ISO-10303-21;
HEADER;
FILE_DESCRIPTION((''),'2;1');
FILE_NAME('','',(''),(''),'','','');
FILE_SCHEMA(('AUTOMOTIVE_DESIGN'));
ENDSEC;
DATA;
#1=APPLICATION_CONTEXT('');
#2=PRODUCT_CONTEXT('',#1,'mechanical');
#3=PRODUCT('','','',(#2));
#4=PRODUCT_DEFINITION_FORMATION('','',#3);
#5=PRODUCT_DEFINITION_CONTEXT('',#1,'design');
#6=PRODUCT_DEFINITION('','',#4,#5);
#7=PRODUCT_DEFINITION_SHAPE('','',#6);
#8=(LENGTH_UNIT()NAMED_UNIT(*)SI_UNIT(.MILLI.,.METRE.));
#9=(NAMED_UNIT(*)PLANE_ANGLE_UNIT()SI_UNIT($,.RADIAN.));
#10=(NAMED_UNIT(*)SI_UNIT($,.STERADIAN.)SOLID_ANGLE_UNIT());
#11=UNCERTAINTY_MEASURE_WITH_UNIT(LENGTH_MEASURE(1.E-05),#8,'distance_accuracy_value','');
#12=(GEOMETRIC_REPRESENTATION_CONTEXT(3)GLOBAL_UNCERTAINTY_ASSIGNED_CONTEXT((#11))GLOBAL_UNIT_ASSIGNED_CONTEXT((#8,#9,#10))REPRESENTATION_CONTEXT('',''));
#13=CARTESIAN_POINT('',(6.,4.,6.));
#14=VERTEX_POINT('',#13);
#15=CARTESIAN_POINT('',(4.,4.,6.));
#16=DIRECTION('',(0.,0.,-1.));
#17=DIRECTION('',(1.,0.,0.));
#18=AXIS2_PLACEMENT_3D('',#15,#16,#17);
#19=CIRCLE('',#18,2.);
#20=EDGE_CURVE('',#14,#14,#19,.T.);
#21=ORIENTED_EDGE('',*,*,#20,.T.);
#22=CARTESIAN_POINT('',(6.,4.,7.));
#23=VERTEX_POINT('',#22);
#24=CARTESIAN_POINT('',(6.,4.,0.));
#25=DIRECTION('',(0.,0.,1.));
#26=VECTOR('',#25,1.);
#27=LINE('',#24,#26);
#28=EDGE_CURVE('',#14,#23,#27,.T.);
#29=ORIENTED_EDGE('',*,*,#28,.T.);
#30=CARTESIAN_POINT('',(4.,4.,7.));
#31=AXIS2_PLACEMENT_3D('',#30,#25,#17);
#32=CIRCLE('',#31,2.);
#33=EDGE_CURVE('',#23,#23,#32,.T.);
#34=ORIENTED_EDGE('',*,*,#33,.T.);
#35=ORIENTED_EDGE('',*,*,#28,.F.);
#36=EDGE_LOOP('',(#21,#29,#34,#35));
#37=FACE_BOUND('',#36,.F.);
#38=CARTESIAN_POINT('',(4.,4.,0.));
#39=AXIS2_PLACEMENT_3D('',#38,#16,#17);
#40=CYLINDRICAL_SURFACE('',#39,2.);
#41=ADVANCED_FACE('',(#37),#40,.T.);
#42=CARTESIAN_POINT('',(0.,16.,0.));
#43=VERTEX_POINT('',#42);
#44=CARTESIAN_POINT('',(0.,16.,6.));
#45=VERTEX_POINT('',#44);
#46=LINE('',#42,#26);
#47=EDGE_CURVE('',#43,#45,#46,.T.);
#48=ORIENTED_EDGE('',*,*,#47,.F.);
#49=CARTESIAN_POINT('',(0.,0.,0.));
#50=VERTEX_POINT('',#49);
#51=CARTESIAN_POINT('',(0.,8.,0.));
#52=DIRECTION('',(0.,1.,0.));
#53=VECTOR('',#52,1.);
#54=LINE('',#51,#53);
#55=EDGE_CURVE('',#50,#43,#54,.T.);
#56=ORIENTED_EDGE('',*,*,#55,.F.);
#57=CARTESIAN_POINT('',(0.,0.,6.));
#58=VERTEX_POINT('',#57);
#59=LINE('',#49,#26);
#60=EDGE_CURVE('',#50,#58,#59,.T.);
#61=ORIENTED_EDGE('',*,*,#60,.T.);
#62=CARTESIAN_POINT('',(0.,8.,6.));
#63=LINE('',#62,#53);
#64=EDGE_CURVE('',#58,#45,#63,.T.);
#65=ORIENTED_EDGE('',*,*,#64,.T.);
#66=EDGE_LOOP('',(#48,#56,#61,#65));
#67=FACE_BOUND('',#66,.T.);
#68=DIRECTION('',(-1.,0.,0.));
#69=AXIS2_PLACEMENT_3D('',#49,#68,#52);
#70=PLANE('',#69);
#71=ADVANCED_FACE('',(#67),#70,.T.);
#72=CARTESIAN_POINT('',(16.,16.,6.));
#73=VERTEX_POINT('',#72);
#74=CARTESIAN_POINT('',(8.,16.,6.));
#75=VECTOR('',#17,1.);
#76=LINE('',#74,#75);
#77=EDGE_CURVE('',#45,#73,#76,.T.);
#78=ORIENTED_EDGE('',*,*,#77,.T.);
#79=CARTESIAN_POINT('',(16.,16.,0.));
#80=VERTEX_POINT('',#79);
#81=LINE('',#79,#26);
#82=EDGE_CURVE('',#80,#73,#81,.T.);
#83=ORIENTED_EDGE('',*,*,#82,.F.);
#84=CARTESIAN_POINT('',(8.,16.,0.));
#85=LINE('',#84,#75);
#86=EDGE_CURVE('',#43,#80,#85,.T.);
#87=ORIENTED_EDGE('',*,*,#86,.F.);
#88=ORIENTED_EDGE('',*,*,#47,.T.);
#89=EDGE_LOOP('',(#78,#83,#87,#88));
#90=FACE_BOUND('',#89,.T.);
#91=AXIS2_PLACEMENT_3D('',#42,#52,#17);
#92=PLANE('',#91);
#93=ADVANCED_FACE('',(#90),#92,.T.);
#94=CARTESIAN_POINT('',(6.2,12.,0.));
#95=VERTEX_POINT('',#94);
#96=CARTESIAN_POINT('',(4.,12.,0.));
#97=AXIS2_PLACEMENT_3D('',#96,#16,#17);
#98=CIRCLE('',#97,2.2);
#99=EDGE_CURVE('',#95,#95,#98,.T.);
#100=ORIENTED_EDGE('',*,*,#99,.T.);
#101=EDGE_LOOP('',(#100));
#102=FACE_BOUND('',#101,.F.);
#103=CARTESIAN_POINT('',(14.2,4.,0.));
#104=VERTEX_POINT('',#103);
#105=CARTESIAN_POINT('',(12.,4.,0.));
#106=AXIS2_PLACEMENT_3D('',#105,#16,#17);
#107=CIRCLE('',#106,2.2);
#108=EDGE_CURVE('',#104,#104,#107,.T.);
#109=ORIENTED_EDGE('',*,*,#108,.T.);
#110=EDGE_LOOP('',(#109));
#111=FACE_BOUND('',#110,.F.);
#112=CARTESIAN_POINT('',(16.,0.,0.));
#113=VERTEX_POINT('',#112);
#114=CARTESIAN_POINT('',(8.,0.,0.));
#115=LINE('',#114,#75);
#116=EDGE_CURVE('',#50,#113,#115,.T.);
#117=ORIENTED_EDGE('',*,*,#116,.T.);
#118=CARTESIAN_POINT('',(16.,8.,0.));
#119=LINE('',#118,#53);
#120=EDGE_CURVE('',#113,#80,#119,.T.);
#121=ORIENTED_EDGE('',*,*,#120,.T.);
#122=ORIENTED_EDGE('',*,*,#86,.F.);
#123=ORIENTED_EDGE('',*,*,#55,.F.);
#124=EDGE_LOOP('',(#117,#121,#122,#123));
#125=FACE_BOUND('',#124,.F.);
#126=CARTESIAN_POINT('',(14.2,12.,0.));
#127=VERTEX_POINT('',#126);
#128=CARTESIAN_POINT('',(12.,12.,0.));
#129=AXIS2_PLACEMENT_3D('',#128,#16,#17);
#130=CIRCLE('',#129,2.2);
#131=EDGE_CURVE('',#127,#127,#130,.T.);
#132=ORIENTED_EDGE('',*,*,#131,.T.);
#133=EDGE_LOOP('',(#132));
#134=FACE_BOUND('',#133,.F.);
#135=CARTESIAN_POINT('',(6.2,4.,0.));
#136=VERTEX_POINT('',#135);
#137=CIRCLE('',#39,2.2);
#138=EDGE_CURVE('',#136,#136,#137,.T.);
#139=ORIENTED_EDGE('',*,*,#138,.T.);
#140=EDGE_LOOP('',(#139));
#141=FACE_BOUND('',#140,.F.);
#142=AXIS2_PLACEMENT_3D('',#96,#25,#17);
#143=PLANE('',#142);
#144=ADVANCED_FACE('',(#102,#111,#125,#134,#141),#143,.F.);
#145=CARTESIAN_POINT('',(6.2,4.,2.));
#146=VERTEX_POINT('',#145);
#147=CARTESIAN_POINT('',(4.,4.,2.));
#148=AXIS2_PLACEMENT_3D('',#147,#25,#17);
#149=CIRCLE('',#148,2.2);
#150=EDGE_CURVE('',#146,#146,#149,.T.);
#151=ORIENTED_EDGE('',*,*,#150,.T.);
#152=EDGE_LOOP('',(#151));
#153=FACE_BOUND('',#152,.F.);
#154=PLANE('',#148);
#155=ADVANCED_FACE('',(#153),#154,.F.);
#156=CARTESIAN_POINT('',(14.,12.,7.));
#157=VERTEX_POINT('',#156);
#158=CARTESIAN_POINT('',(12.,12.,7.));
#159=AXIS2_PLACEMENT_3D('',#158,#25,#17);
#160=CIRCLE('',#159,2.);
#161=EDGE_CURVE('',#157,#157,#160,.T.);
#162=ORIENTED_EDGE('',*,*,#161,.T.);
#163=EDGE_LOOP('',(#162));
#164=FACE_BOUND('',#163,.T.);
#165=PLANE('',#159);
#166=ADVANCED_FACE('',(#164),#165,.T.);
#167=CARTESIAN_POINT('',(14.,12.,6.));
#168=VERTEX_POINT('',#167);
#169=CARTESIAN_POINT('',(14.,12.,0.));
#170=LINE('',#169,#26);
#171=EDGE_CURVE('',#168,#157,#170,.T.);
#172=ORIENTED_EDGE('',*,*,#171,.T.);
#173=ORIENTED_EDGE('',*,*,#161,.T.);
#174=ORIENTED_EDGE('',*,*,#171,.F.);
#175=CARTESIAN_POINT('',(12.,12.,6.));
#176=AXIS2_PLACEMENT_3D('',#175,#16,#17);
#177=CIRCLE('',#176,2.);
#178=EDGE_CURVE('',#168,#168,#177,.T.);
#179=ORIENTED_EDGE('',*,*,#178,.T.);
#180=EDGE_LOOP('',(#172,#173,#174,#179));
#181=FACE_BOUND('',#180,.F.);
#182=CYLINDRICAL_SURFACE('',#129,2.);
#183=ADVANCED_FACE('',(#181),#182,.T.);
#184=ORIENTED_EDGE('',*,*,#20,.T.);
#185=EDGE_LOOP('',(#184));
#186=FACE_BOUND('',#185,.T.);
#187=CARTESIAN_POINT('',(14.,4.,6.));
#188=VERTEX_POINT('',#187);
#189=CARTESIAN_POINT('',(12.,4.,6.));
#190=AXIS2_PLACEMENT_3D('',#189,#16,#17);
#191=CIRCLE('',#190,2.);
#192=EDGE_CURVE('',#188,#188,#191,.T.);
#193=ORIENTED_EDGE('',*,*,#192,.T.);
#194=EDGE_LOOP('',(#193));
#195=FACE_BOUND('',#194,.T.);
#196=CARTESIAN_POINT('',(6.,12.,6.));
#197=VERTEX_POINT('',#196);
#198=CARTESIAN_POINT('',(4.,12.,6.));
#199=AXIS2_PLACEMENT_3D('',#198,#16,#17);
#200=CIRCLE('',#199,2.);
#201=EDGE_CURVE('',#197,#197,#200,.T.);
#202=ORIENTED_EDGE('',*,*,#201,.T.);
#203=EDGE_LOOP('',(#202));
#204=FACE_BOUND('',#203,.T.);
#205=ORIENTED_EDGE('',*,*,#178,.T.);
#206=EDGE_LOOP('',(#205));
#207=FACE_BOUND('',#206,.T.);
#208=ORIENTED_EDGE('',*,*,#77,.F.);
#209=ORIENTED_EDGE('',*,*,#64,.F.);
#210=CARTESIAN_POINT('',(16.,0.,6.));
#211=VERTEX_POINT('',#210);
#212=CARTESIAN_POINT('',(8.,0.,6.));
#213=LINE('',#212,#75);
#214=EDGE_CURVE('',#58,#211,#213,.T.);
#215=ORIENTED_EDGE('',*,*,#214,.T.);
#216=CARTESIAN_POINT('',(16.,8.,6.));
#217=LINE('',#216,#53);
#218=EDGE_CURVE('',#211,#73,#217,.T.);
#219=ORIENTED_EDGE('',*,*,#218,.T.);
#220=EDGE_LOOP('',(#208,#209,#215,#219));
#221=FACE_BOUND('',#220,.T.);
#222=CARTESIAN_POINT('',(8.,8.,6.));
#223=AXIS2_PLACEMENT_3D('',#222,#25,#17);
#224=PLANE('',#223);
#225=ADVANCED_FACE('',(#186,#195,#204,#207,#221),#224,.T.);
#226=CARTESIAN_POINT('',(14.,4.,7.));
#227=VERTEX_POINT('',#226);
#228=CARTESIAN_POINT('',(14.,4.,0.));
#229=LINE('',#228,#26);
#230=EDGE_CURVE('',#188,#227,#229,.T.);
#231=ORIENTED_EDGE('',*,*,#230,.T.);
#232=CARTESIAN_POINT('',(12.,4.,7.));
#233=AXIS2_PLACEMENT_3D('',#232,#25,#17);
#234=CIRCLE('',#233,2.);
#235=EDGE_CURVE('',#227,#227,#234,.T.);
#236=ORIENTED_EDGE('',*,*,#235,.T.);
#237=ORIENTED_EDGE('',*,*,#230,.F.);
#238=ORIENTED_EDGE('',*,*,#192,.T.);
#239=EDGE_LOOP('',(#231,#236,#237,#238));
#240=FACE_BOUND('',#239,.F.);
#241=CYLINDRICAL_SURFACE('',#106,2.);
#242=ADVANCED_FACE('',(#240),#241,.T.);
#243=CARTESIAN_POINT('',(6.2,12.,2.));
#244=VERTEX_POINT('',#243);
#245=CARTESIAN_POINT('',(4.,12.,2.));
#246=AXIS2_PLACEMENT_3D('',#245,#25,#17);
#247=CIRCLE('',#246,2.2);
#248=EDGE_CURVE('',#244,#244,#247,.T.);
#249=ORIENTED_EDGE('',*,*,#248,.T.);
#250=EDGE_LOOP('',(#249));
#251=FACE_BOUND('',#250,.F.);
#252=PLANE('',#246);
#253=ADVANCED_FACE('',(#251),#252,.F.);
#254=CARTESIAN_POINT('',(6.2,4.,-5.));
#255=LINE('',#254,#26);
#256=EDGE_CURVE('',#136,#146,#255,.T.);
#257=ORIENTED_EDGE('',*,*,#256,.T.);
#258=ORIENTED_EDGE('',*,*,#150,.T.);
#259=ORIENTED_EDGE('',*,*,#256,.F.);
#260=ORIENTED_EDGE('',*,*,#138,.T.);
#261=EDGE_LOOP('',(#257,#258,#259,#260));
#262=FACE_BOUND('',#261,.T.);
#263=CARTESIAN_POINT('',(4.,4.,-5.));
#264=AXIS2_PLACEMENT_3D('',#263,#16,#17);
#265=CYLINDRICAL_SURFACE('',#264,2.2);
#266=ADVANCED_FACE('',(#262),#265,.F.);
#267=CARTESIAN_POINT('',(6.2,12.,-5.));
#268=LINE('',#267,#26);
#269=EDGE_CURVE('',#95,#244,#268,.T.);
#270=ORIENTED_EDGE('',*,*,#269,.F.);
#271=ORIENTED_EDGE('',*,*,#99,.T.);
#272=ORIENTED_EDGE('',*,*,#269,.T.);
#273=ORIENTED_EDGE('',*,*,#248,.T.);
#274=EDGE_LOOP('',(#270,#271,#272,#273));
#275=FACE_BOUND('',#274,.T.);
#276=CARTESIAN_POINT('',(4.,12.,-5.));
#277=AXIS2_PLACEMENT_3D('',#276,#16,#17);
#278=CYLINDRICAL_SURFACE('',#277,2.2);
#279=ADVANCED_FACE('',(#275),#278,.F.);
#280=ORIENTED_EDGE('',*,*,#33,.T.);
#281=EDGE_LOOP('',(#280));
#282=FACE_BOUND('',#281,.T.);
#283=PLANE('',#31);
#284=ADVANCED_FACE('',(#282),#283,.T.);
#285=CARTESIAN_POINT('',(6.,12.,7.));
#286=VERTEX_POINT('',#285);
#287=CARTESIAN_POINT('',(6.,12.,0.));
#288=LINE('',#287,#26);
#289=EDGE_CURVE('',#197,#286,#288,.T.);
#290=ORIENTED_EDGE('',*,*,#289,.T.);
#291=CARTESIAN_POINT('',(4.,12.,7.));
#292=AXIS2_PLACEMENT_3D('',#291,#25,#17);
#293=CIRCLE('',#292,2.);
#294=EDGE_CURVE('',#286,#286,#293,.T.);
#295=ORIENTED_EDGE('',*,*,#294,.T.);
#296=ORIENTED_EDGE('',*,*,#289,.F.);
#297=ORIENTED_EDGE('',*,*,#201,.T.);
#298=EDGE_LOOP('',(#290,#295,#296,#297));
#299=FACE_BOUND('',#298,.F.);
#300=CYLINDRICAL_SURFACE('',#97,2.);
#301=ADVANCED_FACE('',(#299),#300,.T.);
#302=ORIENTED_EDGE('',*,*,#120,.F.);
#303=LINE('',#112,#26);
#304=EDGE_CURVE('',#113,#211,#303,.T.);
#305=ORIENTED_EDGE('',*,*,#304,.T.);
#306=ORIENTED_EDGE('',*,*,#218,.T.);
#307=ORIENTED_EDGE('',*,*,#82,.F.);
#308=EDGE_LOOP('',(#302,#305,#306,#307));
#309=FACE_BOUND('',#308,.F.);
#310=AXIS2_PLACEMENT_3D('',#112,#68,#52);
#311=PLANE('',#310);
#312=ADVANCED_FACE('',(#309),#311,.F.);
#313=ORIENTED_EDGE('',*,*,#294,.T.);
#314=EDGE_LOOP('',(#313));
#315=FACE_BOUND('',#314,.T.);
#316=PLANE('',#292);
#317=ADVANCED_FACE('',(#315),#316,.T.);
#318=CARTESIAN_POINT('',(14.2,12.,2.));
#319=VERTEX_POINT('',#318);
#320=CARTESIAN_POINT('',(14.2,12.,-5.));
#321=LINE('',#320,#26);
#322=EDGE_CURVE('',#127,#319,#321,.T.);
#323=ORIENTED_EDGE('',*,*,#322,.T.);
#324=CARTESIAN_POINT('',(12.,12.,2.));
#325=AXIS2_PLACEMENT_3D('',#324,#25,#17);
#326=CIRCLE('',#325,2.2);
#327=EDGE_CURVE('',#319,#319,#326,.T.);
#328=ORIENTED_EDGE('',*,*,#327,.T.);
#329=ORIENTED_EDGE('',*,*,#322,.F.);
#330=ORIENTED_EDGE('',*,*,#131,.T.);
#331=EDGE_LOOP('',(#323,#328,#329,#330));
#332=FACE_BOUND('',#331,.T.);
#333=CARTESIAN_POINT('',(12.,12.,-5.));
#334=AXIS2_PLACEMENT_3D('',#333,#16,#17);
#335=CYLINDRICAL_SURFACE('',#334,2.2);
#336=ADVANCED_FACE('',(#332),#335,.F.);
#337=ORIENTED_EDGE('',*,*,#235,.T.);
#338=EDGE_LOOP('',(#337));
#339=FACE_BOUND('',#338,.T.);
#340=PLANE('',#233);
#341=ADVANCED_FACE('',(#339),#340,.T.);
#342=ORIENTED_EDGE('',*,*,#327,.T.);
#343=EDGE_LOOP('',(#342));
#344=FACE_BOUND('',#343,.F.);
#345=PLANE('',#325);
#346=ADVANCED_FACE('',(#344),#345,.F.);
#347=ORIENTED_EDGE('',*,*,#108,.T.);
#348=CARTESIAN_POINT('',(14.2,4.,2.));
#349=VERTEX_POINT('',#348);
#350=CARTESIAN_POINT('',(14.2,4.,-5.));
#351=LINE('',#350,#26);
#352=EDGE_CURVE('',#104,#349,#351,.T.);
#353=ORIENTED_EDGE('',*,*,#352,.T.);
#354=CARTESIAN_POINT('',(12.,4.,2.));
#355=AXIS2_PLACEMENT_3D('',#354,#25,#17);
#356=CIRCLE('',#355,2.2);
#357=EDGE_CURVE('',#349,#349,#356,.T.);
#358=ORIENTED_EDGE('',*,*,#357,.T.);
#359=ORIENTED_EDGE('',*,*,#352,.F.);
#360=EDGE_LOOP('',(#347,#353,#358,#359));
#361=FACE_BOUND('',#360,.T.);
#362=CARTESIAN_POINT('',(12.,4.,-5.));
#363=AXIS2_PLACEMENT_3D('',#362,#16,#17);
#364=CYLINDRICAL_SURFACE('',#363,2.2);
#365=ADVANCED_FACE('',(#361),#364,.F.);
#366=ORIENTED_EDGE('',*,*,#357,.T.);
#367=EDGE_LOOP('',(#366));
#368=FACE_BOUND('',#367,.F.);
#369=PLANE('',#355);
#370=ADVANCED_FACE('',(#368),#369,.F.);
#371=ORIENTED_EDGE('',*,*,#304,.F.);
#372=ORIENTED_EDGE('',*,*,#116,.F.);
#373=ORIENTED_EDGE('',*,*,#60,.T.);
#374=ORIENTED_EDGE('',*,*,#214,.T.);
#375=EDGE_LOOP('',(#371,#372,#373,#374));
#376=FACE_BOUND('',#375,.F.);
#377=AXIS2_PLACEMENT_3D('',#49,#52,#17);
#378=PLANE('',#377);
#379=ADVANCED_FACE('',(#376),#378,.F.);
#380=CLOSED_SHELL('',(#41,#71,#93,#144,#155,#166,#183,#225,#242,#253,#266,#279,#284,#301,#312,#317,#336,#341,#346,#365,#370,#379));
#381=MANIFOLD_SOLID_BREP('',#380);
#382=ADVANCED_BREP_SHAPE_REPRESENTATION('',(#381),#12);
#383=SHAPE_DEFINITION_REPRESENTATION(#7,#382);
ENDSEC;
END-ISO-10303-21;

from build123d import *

# Parameters (mm, degrees)
CYLINDER007_R     = 2.2
CYLINDER007_DEPTH = 7
CYLINDER005_R     = 2.2
CYLINDER005_DEPTH = 7
CYLINDER006_R     = 2.2
CYLINDER006_DEPTH = 7
CYLINDER004_R     = 2.2
CYLINDER004_DEPTH = 7
CYLINDER_R        = 2
CYLINDER_DEPTH    = 7
CYLINDER001_R     = 2
CYLINDER001_DEPTH = 7
CYLINDER002_R     = 2
CYLINDER002_DEPTH = 7
CYLINDER003_R     = 2
CYLINDER003_DEPTH = 7
BOX_W             = 16
BOX_H             = 16
BOX_DEPTH         = 6


with BuildPart() as cylinder007:
    # Cylinder007 → Cylinder007 (new body)
    with BuildSketch(Plane(origin=(12, 12, -5), x_dir=(1, 0, 0), z_dir=(0, 0, 1))):
        Circle(CYLINDER007_R)
    extrude(amount=CYLINDER007_DEPTH)


with BuildPart() as cylinder005:
    # Cylinder005 → Cylinder005 (new body)
    with BuildSketch(Plane(origin=(4, 12, -5), x_dir=(1, 0, 0), z_dir=(0, 0, 1))):
        Circle(CYLINDER005_R)
    extrude(amount=CYLINDER005_DEPTH)


with BuildPart() as cylinder006:
    # Cylinder006 → Cylinder006 (new body)
    with BuildSketch(Plane(origin=(12, 4, -5), x_dir=(1, 0, 0), z_dir=(0, 0, 1))):
        Circle(CYLINDER006_R)
    extrude(amount=CYLINDER006_DEPTH)


with BuildPart() as fusion001:
    # Cylinder004 → Cylinder004 (new body)
    with BuildSketch(Plane(origin=(4, 4, -5), x_dir=(1, 0, 0), z_dir=(0, 0, 1))):
        Circle(CYLINDER004_R)
    extrude(amount=CYLINDER004_DEPTH)

    # Fusion001: union Cylinder007, Cylinder005, Cylinder006
    add(cylinder007.part)
    add(cylinder005.part)
    add(cylinder006.part)


with BuildPart() as cylinder:
    # Cylinder → Cylinder (new body)
    with BuildSketch(Plane(origin=(4, 4, 0), x_dir=(1, 0, 0), z_dir=(0, 0, 1))):
        Circle(CYLINDER_R)
    extrude(amount=CYLINDER_DEPTH)


with BuildPart() as cylinder001:
    # Cylinder001 → Cylinder001 (new body)
    with BuildSketch(Plane(origin=(12, 4, 0), x_dir=(1, 0, 0), z_dir=(0, 0, 1))):
        Circle(CYLINDER001_R)
    extrude(amount=CYLINDER001_DEPTH)


with BuildPart() as cylinder002:
    # Cylinder002 → Cylinder002 (new body)
    with BuildSketch(Plane(origin=(12, 12, 0), x_dir=(1, 0, 0), z_dir=(0, 0, 1))):
        Circle(CYLINDER002_R)
    extrude(amount=CYLINDER002_DEPTH)


with BuildPart() as cylinder003:
    # Cylinder003 → Cylinder003 (new body)
    with BuildSketch(Plane(origin=(4, 12, 0), x_dir=(1, 0, 0), z_dir=(0, 0, 1))):
        Circle(CYLINDER003_R)
    extrude(amount=CYLINDER003_DEPTH)


with BuildPart() as cut:
    # Box → Box (new body)
    with BuildSketch(Plane.XY):
        with Locations((8, 8)):
            Rectangle(BOX_W, BOX_H)
    extrude(amount=BOX_DEPTH)

    # Fusion: union Cylinder, Cylinder001, Cylinder002, Cylinder003
    add(cylinder.part)
    add(cylinder001.part)
    add(cylinder002.part)
    add(cylinder003.part)

    # Cut: cut Fusion001
    add(fusion001.part, mode=Mode.SUBTRACT)


solid = cut.part
